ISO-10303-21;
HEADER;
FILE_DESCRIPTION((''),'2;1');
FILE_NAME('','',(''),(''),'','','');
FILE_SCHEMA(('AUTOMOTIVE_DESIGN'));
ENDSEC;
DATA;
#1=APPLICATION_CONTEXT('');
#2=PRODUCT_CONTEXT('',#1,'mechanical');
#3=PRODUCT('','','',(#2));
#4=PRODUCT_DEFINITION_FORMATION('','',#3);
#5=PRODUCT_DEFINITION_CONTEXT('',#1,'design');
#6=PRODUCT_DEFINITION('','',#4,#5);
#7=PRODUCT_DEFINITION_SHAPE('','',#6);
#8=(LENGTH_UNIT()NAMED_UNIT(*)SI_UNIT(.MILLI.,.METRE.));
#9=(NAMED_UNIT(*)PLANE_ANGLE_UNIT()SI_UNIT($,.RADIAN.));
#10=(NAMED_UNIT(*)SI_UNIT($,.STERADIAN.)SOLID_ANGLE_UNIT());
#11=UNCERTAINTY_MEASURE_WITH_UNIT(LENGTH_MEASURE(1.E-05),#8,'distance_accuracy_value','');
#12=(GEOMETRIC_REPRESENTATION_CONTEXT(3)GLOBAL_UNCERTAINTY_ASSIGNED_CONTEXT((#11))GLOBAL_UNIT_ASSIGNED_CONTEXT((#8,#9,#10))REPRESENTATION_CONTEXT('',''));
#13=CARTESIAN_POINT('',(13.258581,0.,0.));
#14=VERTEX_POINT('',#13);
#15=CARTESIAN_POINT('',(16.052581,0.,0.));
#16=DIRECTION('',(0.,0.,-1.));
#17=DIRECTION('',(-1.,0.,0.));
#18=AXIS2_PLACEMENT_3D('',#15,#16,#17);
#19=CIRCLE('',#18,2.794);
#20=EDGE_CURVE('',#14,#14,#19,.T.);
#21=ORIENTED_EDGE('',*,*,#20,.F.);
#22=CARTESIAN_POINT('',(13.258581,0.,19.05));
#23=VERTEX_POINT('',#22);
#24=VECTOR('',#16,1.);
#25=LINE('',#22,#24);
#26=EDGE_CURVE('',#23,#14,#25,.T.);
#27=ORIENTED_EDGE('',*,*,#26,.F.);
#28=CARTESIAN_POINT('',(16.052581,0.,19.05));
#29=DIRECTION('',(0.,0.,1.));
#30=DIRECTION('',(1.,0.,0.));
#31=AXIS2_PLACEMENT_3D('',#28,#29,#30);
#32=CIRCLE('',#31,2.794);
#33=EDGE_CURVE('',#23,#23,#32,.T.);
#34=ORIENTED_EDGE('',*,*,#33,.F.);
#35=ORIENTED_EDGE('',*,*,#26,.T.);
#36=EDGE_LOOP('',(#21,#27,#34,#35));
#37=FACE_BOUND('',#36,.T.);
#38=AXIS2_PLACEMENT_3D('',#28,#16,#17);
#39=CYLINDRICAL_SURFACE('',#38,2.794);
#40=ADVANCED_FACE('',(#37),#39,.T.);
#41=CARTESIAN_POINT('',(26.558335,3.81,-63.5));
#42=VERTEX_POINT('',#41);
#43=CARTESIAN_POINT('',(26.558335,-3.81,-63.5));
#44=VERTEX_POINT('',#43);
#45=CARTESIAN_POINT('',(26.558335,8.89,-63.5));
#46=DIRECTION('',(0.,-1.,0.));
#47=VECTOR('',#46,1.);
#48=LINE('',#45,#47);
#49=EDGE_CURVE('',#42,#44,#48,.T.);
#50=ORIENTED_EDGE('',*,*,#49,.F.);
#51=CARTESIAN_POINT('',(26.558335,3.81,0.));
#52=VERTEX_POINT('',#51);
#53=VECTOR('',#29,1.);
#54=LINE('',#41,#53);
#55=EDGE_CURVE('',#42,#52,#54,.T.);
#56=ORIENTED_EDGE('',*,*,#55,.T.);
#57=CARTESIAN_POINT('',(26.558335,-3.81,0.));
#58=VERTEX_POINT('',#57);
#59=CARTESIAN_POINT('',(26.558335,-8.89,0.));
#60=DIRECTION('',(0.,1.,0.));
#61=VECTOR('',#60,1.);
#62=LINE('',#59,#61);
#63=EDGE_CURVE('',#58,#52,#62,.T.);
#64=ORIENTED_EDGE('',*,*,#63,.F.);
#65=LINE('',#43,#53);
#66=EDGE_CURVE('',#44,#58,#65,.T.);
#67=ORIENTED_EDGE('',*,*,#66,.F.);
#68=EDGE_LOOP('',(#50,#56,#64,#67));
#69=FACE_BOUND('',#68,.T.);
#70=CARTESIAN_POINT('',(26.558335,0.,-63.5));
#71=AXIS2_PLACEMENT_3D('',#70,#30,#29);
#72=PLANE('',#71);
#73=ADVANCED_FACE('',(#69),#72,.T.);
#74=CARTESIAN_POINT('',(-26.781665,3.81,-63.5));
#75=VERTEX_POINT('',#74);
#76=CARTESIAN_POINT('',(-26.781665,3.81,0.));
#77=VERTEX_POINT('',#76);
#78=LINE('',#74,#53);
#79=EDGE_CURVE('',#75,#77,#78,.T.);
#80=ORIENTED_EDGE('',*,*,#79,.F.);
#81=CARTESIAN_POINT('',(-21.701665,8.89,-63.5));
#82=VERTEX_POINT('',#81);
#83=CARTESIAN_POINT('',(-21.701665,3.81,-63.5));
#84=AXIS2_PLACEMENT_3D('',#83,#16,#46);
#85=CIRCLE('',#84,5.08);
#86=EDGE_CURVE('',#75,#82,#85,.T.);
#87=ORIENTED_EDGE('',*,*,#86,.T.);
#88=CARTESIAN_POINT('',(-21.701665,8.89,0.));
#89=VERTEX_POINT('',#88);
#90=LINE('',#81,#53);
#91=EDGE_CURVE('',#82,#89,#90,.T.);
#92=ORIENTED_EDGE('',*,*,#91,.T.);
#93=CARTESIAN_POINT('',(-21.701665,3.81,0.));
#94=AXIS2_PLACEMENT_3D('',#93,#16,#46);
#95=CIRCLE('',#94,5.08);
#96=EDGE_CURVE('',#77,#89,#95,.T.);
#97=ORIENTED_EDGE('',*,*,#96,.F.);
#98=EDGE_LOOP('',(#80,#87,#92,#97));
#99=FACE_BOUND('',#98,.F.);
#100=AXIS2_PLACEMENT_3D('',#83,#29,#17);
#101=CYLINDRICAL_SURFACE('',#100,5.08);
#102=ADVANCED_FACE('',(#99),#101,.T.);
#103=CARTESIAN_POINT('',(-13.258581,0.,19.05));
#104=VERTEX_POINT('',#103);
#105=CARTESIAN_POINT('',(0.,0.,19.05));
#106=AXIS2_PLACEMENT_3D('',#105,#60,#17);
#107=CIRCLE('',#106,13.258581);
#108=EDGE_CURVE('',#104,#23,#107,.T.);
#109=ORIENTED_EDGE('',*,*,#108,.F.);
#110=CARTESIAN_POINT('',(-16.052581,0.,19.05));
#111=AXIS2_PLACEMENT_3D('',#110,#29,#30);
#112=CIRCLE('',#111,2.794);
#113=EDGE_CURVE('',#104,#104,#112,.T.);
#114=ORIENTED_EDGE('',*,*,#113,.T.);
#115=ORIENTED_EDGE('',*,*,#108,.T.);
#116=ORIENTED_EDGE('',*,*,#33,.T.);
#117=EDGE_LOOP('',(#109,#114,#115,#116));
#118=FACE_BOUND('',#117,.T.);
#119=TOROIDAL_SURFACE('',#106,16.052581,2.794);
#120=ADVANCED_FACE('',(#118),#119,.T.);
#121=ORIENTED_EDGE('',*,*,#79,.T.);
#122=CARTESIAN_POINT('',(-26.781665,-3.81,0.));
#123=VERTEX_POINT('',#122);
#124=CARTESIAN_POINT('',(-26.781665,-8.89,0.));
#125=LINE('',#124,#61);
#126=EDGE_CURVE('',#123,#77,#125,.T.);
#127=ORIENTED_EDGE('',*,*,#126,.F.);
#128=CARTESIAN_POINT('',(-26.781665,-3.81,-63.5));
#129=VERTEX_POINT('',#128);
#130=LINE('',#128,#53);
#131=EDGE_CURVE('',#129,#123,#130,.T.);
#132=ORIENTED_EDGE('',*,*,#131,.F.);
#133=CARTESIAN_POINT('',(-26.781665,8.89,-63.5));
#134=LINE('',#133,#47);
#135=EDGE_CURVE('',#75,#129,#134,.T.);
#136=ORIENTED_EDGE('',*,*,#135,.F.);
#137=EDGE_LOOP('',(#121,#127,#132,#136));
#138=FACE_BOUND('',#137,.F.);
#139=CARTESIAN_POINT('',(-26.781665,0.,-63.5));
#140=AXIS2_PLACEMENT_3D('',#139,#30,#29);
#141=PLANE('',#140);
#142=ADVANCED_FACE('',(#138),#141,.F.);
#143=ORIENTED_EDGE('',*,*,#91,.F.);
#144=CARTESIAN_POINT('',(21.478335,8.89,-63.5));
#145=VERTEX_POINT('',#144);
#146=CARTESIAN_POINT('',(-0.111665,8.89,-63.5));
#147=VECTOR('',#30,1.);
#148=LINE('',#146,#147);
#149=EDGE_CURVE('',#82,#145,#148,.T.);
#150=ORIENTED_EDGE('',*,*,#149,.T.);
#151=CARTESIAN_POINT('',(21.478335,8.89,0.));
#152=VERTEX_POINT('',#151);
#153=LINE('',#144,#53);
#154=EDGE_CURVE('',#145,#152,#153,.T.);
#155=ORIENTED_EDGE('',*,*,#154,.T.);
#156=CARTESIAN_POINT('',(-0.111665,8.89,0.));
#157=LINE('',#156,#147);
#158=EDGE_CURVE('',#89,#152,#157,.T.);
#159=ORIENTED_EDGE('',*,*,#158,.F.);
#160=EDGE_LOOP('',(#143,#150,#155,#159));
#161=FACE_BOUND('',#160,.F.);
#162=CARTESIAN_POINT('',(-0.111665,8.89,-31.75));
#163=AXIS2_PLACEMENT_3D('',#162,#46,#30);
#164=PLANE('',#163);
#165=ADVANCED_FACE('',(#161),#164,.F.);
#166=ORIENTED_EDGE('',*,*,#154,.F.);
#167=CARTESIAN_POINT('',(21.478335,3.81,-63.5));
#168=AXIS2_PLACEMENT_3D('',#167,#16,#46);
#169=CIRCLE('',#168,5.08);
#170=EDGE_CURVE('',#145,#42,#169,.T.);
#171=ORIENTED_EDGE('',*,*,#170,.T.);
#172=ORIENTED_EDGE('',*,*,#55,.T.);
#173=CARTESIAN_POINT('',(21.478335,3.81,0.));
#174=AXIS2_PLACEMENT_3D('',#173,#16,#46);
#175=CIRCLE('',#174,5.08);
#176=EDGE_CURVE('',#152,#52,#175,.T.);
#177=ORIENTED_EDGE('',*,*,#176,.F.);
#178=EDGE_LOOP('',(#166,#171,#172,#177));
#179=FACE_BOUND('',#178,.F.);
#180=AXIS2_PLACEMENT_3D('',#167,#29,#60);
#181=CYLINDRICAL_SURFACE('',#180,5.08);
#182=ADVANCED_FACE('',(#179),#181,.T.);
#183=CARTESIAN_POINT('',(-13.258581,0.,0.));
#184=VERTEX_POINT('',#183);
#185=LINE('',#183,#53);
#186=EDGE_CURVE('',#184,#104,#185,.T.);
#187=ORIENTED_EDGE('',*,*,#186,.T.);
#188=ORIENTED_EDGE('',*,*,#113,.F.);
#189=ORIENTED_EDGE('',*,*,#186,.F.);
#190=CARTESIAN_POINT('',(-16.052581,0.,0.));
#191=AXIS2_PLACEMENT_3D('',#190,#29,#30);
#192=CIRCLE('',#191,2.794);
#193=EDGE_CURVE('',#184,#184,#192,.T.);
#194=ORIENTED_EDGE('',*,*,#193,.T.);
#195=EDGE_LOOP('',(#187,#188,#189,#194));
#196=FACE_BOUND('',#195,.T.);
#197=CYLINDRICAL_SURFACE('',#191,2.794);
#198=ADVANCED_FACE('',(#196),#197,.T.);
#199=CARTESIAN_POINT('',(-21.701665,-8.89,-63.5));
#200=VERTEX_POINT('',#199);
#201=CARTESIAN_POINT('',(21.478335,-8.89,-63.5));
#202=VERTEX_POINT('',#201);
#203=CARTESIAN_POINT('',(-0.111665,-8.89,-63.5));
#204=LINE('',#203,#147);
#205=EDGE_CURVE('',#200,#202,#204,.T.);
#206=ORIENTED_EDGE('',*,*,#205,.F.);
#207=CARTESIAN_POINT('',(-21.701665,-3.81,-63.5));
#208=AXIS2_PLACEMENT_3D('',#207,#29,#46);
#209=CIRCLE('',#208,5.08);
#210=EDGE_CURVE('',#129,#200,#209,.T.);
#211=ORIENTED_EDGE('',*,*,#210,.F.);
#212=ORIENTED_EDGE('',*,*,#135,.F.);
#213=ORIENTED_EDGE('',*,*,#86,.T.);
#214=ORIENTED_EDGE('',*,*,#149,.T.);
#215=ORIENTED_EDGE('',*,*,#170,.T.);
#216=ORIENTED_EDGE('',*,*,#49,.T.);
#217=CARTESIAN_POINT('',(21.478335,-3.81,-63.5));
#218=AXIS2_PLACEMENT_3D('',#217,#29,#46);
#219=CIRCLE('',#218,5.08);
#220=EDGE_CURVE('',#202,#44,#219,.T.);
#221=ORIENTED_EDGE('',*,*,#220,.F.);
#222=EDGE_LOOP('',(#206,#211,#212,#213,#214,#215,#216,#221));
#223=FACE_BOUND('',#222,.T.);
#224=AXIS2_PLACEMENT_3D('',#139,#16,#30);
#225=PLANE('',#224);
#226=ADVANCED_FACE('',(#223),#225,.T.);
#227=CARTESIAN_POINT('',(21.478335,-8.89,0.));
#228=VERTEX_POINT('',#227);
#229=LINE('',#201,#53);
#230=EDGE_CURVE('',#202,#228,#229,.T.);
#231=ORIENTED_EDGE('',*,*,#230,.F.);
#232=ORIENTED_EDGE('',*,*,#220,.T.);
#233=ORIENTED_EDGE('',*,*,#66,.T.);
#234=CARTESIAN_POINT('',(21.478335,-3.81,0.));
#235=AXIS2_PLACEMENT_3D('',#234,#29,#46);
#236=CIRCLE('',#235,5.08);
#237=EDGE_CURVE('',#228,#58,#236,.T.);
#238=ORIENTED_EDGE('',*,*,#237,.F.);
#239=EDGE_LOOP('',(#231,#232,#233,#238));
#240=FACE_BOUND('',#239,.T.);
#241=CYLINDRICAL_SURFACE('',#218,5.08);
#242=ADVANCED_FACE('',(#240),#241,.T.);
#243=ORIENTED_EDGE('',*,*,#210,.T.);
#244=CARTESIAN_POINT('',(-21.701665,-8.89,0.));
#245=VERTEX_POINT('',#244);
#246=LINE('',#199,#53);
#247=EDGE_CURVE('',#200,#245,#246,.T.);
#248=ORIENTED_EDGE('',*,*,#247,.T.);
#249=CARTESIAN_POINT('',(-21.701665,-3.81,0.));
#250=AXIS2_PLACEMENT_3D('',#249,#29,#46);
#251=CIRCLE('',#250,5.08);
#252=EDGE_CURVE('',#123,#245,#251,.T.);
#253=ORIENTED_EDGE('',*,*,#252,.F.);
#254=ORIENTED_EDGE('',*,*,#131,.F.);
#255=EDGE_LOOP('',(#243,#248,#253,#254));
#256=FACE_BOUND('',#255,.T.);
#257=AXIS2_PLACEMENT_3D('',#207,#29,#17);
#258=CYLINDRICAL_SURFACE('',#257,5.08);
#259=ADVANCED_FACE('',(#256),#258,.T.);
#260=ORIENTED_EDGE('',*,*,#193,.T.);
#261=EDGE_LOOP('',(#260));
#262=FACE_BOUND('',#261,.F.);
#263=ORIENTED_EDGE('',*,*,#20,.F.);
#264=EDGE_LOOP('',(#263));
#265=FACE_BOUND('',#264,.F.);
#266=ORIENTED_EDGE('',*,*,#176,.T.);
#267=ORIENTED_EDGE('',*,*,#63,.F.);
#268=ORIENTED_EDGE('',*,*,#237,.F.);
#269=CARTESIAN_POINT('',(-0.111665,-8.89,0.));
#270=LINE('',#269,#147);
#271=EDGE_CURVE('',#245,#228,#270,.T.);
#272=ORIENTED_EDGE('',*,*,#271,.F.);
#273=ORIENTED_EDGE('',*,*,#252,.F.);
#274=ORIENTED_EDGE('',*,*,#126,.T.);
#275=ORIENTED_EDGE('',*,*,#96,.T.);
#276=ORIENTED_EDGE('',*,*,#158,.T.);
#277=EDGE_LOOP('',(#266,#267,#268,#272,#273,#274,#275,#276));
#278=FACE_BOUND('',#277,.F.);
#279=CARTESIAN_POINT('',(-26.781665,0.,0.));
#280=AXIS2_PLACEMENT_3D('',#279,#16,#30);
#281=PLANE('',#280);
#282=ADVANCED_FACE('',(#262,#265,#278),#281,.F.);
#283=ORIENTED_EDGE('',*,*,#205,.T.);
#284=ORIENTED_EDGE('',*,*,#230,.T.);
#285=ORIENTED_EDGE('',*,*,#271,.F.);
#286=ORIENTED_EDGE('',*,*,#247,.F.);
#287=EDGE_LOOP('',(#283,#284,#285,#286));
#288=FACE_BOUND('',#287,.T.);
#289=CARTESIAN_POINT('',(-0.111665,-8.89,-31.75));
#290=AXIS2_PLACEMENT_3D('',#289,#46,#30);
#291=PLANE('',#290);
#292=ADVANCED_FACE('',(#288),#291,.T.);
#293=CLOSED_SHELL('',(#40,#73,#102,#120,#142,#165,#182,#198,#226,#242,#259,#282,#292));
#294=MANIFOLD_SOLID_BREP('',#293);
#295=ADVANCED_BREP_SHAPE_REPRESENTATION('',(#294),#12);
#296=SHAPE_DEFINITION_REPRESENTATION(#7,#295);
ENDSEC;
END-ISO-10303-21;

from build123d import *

# Parameters (mm, degrees)
F1_R     = 2.794
F3_W     = 53.34
F3_H     = 63.5
F4_DEPTH = 8.89
F5_R     = 5.08


with BuildPart() as f2:
    # F2: sweep along a path in F0
    with BuildLine(Plane.XZ) as f2_path:
        Line((-16.0525806478, 0), (-16.0525806478, 19.05))
        ThreePointArc((-16.0525806478, 19.05), (0, 35.1025806478), (16.0525806478, 19.05))
        Line((16.0525806478, 19.05), (16.0525806478, 0))
    # F1 (on Top) → F2 (sweep)
    with BuildSketch(Plane.XY):
        with Locations((-16.0525806478, 0)):
            Circle(F1_R)
    sweep(path=f2_path.line)

    # F3 (on Front) → F4 (join, symmetric)
    with BuildSketch(Plane.XZ):
        with Locations((-0.1116646679, -31.75)):
            Rectangle(F3_W, F3_H)
    extrude(amount=F4_DEPTH, both=True)

    # F5
    f5_edges = [f2.edges().sort_by_distance(p)[0] for p in [
        (-26.781665, -8.89, -31.75),
        (-26.781665, 8.89, -31.75),
        (26.558335, 8.89, -31.75),
        (26.558335, -8.89, -31.75),
    ]]
    fillet(f5_edges, radius=F5_R)


solid = f2.part
